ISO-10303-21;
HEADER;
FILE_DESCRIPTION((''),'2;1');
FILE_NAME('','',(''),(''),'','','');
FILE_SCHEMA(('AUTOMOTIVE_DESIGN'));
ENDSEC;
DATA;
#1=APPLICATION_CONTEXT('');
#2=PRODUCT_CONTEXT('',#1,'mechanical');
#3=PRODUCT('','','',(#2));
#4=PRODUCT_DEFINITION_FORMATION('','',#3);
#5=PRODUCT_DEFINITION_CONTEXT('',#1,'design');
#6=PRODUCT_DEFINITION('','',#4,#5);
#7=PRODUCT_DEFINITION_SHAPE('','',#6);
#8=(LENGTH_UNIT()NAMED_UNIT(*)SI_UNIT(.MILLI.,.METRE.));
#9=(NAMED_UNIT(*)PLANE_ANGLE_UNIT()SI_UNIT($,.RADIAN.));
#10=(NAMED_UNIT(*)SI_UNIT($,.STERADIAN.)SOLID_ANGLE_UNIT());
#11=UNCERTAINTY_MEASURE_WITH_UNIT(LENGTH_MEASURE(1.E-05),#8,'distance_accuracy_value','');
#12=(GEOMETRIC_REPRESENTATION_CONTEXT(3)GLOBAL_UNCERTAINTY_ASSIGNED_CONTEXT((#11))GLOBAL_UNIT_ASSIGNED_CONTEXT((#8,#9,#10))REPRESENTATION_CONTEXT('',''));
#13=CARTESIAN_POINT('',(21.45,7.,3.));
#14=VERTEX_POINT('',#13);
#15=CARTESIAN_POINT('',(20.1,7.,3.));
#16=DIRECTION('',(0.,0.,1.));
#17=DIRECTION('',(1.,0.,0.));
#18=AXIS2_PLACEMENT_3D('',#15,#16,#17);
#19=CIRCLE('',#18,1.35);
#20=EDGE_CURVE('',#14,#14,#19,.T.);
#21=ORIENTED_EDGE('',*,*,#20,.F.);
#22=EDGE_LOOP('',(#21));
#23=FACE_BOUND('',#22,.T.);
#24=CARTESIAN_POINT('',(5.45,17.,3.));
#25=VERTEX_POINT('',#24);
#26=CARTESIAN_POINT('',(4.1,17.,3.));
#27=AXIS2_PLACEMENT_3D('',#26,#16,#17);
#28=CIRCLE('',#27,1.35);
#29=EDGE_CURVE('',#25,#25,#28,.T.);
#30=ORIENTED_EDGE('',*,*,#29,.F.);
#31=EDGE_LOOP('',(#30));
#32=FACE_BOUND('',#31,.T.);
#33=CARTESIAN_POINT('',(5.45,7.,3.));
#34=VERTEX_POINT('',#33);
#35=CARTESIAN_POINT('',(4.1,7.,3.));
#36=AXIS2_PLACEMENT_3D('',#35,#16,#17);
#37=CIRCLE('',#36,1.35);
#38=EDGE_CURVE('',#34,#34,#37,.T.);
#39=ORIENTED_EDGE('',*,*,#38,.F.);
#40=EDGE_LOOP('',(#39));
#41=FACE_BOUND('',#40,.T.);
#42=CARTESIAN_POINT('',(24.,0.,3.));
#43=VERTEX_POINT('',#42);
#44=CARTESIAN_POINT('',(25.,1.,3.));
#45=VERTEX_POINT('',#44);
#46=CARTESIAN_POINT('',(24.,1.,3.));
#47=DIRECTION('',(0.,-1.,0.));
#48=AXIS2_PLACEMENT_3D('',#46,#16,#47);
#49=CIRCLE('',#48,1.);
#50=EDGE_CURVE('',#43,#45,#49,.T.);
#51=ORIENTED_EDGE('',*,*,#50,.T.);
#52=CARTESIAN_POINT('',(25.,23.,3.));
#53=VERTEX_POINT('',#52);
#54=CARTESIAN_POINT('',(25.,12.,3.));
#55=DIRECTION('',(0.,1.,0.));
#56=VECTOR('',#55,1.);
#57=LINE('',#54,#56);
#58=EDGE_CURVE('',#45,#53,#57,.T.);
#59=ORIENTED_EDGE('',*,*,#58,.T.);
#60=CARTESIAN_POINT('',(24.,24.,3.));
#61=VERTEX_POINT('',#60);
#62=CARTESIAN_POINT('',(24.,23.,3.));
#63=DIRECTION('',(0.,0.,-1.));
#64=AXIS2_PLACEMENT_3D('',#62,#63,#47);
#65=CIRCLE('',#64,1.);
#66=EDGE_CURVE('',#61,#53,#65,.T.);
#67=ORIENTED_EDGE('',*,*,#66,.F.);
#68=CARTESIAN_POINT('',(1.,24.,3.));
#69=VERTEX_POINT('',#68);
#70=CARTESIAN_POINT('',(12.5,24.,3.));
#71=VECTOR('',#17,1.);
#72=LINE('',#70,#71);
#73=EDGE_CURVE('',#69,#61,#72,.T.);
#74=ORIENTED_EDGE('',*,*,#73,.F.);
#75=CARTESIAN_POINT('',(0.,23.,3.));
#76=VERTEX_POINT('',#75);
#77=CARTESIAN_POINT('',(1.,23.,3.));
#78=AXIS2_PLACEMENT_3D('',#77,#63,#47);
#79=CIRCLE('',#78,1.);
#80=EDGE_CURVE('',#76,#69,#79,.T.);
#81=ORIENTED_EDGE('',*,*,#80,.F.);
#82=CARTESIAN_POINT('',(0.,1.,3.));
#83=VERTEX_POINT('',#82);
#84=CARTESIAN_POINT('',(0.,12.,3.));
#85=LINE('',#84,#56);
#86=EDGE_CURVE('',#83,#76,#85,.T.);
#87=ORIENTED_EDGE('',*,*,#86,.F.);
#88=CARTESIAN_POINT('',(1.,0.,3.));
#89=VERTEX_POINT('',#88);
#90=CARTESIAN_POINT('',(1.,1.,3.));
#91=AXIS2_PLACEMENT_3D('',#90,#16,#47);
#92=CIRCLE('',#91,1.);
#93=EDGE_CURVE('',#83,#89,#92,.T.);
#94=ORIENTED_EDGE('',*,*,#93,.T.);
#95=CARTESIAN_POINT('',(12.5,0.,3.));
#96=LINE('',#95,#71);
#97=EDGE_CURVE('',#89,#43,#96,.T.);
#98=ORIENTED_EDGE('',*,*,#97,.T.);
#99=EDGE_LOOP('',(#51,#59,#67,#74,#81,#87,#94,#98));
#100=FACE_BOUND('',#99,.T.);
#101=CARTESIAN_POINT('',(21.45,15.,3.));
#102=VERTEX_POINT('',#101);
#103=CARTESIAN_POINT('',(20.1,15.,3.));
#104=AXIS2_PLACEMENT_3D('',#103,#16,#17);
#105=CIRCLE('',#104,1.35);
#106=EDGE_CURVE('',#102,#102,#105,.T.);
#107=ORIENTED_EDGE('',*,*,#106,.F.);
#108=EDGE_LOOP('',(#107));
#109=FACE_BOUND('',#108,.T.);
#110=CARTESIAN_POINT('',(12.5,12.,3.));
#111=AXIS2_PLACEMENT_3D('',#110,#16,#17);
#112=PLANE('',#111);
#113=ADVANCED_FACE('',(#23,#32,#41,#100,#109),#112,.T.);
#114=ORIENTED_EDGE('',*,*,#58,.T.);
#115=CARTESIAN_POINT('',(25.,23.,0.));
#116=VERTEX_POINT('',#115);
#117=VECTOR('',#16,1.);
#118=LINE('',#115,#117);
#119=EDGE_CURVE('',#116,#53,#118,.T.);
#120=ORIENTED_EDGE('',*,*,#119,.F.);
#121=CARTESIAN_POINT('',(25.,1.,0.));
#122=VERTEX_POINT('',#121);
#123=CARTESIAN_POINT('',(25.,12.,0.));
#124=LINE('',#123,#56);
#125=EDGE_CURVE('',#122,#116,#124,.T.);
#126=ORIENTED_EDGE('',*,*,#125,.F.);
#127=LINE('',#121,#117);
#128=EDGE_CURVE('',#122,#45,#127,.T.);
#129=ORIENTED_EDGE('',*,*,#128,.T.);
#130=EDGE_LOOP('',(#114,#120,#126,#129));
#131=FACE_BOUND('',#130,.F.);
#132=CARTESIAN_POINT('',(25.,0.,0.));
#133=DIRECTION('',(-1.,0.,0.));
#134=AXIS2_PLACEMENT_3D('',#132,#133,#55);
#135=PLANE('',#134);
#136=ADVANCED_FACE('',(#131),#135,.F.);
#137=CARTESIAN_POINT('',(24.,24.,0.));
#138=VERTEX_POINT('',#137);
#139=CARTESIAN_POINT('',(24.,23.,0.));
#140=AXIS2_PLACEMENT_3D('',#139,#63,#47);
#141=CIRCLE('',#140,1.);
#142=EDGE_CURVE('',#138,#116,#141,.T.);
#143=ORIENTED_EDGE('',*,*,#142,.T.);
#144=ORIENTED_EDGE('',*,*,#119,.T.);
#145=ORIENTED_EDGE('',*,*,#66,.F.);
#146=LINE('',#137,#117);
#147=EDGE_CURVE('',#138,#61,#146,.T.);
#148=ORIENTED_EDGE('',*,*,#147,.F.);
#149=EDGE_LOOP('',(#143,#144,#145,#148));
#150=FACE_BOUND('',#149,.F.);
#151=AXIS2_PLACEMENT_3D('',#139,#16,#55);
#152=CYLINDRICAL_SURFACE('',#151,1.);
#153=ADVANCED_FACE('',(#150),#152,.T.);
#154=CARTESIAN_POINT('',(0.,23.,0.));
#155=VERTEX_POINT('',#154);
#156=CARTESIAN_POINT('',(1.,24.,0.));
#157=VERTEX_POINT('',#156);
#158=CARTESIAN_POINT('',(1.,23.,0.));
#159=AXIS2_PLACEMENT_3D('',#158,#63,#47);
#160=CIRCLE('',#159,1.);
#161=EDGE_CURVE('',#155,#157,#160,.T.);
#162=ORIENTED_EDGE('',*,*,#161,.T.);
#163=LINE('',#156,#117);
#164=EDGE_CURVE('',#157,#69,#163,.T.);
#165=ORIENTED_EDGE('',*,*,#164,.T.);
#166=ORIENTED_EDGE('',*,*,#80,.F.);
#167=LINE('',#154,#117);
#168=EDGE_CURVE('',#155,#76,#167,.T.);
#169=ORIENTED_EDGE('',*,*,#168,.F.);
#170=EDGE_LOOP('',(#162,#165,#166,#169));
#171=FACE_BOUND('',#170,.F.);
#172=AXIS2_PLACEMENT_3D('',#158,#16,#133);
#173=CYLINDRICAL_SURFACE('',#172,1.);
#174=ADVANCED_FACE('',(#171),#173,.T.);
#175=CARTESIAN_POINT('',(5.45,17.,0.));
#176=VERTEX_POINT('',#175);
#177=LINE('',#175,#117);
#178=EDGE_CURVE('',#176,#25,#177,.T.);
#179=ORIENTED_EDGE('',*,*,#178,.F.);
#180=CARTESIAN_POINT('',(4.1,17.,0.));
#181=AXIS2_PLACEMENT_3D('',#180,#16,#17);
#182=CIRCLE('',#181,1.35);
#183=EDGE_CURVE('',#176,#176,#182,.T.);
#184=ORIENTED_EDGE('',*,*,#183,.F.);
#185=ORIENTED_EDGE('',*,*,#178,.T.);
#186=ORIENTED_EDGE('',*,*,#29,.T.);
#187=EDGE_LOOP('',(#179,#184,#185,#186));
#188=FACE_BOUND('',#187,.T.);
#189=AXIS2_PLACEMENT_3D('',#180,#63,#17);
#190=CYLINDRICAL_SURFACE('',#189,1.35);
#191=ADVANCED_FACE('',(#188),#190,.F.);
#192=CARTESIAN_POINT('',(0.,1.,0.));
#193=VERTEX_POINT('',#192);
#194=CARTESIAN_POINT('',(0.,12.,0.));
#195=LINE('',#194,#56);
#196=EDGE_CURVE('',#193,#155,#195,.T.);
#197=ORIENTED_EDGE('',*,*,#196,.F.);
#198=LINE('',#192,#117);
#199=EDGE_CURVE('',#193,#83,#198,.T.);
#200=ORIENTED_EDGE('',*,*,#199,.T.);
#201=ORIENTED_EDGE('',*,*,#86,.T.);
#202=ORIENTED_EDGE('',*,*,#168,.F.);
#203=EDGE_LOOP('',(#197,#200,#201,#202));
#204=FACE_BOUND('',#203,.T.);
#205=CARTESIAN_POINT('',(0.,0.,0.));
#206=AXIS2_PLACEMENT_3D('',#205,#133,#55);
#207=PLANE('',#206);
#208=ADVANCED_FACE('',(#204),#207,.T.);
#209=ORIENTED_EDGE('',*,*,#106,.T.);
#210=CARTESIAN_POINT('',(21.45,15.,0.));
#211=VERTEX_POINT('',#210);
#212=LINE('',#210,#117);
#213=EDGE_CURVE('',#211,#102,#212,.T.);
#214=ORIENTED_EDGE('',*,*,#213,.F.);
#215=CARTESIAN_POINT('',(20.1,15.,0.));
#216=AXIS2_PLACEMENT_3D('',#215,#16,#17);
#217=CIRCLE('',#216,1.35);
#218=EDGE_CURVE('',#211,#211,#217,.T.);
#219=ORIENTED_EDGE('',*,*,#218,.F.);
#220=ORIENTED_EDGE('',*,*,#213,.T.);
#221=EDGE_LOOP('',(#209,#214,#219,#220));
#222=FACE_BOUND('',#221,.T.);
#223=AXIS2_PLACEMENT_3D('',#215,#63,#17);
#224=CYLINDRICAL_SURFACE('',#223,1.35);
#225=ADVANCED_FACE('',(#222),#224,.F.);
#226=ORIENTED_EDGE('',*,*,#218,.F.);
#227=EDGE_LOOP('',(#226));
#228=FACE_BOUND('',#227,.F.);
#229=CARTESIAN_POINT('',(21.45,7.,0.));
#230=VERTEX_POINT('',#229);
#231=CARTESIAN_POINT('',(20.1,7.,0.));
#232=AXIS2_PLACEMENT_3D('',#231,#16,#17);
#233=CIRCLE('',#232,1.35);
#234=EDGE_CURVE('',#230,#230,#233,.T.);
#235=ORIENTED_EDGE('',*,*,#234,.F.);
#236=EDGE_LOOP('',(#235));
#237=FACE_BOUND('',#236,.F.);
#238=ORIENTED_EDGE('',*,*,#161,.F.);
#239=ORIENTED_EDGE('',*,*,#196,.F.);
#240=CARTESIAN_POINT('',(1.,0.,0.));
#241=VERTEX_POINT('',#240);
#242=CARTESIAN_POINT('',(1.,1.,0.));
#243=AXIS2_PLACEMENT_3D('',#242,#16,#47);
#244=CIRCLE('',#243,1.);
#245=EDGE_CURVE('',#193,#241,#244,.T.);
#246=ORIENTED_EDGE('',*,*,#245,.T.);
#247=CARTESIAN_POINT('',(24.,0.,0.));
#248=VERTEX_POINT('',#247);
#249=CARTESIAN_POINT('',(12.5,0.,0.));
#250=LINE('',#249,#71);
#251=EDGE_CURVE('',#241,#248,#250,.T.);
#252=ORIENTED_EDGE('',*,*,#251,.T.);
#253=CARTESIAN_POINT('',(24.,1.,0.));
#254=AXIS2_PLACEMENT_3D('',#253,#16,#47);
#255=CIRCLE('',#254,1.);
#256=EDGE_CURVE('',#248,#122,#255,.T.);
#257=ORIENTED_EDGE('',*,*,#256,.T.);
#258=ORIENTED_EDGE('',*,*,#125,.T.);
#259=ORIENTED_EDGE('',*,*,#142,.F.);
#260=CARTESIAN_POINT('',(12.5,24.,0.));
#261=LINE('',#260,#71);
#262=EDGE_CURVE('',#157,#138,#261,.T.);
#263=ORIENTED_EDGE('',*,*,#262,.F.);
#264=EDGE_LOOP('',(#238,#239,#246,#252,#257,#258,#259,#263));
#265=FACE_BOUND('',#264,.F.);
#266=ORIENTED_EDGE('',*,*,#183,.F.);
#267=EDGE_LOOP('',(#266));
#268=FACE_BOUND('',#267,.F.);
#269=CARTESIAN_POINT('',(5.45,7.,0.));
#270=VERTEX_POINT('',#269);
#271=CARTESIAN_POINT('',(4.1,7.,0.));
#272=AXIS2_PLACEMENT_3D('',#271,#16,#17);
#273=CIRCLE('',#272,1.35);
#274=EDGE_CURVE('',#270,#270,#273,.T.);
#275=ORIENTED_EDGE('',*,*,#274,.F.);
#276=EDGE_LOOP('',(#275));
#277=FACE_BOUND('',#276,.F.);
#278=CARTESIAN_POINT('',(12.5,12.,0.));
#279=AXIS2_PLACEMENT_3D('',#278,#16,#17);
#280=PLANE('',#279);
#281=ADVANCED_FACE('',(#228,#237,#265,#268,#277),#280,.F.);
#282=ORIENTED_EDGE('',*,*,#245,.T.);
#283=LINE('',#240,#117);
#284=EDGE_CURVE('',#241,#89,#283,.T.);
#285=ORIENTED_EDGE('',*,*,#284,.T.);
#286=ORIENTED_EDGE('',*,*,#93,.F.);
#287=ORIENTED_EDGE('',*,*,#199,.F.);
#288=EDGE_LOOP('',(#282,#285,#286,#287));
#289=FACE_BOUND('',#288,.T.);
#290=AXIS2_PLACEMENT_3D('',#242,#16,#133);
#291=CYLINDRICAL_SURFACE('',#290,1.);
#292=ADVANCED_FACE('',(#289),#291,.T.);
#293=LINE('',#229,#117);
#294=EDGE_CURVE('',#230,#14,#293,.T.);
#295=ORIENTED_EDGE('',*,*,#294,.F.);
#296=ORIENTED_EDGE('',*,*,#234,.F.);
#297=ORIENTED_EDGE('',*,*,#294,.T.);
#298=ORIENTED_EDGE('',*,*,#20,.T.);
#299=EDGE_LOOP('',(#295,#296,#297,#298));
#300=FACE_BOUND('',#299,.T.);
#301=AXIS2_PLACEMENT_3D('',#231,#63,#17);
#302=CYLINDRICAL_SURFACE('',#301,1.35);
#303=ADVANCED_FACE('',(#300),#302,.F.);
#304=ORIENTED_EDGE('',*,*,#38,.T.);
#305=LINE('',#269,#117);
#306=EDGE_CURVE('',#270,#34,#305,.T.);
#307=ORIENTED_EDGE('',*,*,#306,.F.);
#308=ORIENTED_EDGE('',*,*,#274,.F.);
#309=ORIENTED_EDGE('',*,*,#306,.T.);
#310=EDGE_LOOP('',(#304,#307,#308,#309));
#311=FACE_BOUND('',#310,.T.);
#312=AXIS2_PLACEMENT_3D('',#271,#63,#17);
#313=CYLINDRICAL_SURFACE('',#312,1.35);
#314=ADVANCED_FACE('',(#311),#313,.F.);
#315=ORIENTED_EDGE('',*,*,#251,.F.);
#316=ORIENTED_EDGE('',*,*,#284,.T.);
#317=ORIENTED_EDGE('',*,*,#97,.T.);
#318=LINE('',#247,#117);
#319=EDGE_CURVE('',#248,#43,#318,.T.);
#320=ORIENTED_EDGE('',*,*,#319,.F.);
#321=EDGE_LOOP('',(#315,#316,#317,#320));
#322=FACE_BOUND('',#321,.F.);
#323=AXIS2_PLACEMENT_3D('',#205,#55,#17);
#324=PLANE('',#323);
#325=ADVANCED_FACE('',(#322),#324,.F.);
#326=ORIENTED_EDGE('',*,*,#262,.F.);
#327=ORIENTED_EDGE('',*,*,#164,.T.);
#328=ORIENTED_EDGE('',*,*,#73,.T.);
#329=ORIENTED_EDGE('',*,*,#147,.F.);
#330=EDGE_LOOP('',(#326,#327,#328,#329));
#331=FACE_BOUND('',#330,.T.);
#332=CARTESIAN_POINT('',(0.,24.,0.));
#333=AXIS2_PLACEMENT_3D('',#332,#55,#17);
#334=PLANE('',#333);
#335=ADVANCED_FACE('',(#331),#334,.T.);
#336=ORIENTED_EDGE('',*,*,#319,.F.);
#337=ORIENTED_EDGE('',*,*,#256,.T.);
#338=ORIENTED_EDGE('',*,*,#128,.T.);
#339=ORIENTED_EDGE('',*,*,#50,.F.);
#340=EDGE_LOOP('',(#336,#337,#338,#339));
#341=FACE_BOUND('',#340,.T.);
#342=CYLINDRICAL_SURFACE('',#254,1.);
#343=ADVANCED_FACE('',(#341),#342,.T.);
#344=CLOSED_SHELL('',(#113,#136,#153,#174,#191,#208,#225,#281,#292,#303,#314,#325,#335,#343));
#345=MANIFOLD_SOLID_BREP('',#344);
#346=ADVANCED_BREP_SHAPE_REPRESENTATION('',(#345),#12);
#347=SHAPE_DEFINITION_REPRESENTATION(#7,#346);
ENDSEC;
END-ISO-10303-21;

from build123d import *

# Parameters (mm, degrees)
SKETCH_W  = 25
SKETCH_H  = 24
SKETCH_R  = 1.35
PAD_DEPTH = 3
FILLET_R  = 1


with BuildPart() as part:
    # Sketch → Pad (new body)
    with BuildSketch(Plane.XY):
        with Locations((12.5, 12)):
            Rectangle(SKETCH_W, SKETCH_H)
        with Locations((4.1, 17)):
            Circle(SKETCH_R, mode=Mode.SUBTRACT)
        with Locations((20.1, 15)):
            Circle(SKETCH_R, mode=Mode.SUBTRACT)
        with Locations((4.1, 7)):
            Circle(SKETCH_R, mode=Mode.SUBTRACT)
        with Locations((20.1, 7)):
            Circle(SKETCH_R, mode=Mode.SUBTRACT)
    extrude(amount=PAD_DEPTH)

    # Fillet
    fillet_edges = [part.edges().sort_by_distance(p)[0] for p in [
        (0, 0, 1.5),
        (25, 0, 1.5),
        (25, 24, 1.5),
        (0, 24, 1.5),
    ]]
    fillet(fillet_edges, radius=FILLET_R)


solid = part.part
